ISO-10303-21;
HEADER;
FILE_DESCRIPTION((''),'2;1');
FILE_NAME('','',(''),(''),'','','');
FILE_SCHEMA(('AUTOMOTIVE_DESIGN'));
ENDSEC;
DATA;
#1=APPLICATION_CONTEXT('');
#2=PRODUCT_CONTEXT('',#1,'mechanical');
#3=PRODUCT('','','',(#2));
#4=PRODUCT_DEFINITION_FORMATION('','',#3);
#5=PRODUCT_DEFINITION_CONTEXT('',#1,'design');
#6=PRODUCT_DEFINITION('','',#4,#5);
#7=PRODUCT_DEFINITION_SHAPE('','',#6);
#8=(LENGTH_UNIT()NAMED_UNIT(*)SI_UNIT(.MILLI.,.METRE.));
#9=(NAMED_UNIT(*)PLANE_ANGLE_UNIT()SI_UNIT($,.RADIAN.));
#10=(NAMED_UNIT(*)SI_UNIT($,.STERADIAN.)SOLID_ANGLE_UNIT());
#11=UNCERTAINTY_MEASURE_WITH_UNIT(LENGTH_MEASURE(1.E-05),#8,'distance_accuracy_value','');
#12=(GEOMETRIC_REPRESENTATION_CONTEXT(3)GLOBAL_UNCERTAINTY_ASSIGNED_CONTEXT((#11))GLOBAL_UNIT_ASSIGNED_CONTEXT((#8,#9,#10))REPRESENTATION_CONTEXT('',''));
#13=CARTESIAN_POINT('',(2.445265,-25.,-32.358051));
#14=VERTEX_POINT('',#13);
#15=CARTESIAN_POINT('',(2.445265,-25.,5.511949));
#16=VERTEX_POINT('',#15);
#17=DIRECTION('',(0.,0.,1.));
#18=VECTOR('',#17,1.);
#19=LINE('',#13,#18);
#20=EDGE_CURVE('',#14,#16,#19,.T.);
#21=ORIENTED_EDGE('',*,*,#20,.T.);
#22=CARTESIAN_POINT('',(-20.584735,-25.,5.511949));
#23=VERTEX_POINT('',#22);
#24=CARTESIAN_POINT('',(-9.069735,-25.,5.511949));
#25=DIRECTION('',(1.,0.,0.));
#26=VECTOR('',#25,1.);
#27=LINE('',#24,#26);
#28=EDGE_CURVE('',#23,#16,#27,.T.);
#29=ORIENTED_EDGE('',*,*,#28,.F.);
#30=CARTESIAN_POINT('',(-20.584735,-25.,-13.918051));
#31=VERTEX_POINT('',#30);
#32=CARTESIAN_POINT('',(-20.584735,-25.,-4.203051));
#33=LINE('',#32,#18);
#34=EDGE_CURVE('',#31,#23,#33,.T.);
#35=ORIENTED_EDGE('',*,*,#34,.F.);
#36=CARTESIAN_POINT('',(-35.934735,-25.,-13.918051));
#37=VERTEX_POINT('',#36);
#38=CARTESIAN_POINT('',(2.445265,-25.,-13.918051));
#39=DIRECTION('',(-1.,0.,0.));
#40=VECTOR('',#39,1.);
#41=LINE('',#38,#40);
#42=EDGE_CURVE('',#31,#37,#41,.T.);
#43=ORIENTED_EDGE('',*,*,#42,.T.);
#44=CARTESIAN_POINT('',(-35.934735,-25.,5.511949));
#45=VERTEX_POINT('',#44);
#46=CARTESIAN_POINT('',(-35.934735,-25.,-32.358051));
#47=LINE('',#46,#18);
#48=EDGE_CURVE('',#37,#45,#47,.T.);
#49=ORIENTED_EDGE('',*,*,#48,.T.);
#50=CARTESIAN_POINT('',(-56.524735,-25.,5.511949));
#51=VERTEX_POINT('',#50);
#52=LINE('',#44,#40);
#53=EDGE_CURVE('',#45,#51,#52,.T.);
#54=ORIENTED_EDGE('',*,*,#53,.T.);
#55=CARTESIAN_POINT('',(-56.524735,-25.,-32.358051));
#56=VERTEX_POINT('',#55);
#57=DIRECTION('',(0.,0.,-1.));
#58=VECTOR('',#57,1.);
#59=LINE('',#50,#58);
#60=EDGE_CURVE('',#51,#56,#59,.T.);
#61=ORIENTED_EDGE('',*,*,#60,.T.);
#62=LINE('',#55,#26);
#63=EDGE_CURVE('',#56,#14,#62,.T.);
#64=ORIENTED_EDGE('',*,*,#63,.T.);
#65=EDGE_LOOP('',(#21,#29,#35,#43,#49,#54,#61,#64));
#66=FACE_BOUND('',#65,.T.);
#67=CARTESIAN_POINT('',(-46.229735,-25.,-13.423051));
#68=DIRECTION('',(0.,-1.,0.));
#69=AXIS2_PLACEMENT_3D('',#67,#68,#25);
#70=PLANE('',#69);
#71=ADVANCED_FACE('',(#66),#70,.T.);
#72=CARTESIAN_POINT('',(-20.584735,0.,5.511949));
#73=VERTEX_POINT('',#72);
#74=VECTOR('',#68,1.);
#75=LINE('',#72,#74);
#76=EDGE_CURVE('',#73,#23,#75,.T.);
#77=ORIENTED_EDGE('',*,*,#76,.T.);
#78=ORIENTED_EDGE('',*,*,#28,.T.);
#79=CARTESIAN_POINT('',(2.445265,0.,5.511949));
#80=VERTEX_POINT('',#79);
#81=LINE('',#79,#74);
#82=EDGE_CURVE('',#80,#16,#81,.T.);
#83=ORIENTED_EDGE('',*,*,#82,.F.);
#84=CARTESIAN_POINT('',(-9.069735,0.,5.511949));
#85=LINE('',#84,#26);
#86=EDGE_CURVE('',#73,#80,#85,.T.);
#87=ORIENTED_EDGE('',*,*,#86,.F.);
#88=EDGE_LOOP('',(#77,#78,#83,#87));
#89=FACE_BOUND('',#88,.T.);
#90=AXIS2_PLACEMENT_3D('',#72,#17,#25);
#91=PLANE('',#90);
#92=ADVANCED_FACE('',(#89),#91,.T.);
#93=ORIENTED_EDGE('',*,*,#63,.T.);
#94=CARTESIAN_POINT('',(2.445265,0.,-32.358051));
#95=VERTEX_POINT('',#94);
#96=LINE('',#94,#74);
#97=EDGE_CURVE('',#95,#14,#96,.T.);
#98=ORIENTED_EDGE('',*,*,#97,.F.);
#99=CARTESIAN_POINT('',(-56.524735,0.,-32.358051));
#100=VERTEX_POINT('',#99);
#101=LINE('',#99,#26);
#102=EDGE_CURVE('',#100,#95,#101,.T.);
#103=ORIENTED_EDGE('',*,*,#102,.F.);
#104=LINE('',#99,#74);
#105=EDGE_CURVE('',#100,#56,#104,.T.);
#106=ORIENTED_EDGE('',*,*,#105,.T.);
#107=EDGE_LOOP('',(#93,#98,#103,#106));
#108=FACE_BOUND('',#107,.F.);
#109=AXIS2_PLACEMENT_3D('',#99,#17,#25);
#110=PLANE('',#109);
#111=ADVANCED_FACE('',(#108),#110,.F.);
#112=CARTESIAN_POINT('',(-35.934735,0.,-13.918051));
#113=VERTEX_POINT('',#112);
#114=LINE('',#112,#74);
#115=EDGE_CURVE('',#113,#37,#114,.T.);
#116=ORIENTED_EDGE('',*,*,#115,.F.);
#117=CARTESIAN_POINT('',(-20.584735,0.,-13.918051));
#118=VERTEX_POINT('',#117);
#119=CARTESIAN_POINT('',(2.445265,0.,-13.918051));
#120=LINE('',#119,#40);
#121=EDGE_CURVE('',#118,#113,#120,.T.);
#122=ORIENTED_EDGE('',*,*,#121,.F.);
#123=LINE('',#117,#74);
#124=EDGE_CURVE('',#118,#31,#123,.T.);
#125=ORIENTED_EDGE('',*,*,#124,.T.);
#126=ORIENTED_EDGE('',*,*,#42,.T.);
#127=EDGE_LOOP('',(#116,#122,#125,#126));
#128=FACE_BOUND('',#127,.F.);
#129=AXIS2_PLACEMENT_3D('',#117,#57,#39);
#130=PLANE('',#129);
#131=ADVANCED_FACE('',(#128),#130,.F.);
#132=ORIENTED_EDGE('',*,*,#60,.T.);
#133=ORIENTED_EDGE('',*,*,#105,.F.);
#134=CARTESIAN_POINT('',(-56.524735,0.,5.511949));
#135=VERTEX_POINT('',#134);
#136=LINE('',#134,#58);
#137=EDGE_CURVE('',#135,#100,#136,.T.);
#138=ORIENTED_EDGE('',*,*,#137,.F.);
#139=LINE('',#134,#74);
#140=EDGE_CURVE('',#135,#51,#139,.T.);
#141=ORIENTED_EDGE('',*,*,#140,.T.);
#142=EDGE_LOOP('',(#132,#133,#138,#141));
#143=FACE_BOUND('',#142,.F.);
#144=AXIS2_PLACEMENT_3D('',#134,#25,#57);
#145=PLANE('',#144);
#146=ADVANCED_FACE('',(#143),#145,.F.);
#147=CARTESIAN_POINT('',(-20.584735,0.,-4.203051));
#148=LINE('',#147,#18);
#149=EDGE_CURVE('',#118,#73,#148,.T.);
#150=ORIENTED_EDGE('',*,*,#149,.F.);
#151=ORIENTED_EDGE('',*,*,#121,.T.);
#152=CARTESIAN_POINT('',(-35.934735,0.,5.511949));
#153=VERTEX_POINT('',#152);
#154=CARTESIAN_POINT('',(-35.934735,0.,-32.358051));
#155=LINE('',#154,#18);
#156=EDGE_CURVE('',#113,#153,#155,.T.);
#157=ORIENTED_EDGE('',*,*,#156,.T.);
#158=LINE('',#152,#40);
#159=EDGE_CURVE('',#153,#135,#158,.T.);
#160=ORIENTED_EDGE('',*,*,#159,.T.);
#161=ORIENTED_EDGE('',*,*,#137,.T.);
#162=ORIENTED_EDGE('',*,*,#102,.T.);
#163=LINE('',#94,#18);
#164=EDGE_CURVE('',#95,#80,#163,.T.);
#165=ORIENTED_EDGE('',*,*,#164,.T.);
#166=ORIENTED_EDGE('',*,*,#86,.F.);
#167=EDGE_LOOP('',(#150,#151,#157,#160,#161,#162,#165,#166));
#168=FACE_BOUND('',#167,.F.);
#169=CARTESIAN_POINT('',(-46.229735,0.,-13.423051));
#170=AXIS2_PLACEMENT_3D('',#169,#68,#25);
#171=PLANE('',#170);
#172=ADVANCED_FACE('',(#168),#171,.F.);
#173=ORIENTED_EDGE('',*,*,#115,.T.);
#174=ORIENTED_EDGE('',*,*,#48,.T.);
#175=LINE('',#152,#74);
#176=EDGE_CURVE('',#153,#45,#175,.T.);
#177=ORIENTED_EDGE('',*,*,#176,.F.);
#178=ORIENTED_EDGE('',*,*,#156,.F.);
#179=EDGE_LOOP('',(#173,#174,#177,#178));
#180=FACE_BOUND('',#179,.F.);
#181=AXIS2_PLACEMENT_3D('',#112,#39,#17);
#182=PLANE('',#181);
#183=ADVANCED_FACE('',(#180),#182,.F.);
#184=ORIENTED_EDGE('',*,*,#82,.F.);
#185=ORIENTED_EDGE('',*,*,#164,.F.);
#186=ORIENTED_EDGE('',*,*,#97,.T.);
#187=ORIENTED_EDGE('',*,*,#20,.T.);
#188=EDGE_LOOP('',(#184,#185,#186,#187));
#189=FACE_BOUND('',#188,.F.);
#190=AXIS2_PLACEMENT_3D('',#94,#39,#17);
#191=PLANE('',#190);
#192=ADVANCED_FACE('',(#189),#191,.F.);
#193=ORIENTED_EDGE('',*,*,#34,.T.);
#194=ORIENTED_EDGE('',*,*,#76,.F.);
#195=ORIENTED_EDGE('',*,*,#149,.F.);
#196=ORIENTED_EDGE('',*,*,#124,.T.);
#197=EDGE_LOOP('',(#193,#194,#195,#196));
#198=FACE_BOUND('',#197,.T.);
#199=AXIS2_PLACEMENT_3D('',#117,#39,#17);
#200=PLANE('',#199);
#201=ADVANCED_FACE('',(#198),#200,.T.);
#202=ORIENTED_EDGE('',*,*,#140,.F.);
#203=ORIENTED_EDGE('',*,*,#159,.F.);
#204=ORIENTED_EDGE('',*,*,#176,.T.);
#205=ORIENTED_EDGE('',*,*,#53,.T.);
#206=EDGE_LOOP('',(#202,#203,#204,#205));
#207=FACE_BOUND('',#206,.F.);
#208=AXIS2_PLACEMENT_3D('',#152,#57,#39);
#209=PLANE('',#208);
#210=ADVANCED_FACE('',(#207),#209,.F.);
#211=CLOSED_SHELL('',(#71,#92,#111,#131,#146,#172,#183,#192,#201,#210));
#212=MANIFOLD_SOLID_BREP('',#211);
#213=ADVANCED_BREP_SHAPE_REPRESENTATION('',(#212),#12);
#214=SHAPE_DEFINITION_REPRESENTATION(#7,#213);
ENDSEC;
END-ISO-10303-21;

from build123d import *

# Parameters (mm, degrees)
F0_W     = 15.35
F0_H     = 18.44
F0_W_2   = 23.03
F0_H_2   = 19.43
F1_DEPTH = 25


with BuildPart() as f1:
    # F0 (on Front) → F1 (new body)
    with BuildSketch(Plane.XZ):
        Polygon((-56.524735, -13.918051), (-56.524735, -32.358051), (-35.934735, -32.358051), (-35.934735, -13.918051), (-35.934735, 5.511949), (-56.524735, 5.511949), align=None)
        with Locations((-28.259735, -23.138051)):
            Rectangle(F0_W, F0_H)
        with Locations((-9.069735, -23.138051)):
            Rectangle(F0_W_2, F0_H)
        with Locations((-9.069735, -4.203051)):
            Rectangle(F0_W_2, F0_H_2)
    extrude(amount=F1_DEPTH)


solid = f1.part
